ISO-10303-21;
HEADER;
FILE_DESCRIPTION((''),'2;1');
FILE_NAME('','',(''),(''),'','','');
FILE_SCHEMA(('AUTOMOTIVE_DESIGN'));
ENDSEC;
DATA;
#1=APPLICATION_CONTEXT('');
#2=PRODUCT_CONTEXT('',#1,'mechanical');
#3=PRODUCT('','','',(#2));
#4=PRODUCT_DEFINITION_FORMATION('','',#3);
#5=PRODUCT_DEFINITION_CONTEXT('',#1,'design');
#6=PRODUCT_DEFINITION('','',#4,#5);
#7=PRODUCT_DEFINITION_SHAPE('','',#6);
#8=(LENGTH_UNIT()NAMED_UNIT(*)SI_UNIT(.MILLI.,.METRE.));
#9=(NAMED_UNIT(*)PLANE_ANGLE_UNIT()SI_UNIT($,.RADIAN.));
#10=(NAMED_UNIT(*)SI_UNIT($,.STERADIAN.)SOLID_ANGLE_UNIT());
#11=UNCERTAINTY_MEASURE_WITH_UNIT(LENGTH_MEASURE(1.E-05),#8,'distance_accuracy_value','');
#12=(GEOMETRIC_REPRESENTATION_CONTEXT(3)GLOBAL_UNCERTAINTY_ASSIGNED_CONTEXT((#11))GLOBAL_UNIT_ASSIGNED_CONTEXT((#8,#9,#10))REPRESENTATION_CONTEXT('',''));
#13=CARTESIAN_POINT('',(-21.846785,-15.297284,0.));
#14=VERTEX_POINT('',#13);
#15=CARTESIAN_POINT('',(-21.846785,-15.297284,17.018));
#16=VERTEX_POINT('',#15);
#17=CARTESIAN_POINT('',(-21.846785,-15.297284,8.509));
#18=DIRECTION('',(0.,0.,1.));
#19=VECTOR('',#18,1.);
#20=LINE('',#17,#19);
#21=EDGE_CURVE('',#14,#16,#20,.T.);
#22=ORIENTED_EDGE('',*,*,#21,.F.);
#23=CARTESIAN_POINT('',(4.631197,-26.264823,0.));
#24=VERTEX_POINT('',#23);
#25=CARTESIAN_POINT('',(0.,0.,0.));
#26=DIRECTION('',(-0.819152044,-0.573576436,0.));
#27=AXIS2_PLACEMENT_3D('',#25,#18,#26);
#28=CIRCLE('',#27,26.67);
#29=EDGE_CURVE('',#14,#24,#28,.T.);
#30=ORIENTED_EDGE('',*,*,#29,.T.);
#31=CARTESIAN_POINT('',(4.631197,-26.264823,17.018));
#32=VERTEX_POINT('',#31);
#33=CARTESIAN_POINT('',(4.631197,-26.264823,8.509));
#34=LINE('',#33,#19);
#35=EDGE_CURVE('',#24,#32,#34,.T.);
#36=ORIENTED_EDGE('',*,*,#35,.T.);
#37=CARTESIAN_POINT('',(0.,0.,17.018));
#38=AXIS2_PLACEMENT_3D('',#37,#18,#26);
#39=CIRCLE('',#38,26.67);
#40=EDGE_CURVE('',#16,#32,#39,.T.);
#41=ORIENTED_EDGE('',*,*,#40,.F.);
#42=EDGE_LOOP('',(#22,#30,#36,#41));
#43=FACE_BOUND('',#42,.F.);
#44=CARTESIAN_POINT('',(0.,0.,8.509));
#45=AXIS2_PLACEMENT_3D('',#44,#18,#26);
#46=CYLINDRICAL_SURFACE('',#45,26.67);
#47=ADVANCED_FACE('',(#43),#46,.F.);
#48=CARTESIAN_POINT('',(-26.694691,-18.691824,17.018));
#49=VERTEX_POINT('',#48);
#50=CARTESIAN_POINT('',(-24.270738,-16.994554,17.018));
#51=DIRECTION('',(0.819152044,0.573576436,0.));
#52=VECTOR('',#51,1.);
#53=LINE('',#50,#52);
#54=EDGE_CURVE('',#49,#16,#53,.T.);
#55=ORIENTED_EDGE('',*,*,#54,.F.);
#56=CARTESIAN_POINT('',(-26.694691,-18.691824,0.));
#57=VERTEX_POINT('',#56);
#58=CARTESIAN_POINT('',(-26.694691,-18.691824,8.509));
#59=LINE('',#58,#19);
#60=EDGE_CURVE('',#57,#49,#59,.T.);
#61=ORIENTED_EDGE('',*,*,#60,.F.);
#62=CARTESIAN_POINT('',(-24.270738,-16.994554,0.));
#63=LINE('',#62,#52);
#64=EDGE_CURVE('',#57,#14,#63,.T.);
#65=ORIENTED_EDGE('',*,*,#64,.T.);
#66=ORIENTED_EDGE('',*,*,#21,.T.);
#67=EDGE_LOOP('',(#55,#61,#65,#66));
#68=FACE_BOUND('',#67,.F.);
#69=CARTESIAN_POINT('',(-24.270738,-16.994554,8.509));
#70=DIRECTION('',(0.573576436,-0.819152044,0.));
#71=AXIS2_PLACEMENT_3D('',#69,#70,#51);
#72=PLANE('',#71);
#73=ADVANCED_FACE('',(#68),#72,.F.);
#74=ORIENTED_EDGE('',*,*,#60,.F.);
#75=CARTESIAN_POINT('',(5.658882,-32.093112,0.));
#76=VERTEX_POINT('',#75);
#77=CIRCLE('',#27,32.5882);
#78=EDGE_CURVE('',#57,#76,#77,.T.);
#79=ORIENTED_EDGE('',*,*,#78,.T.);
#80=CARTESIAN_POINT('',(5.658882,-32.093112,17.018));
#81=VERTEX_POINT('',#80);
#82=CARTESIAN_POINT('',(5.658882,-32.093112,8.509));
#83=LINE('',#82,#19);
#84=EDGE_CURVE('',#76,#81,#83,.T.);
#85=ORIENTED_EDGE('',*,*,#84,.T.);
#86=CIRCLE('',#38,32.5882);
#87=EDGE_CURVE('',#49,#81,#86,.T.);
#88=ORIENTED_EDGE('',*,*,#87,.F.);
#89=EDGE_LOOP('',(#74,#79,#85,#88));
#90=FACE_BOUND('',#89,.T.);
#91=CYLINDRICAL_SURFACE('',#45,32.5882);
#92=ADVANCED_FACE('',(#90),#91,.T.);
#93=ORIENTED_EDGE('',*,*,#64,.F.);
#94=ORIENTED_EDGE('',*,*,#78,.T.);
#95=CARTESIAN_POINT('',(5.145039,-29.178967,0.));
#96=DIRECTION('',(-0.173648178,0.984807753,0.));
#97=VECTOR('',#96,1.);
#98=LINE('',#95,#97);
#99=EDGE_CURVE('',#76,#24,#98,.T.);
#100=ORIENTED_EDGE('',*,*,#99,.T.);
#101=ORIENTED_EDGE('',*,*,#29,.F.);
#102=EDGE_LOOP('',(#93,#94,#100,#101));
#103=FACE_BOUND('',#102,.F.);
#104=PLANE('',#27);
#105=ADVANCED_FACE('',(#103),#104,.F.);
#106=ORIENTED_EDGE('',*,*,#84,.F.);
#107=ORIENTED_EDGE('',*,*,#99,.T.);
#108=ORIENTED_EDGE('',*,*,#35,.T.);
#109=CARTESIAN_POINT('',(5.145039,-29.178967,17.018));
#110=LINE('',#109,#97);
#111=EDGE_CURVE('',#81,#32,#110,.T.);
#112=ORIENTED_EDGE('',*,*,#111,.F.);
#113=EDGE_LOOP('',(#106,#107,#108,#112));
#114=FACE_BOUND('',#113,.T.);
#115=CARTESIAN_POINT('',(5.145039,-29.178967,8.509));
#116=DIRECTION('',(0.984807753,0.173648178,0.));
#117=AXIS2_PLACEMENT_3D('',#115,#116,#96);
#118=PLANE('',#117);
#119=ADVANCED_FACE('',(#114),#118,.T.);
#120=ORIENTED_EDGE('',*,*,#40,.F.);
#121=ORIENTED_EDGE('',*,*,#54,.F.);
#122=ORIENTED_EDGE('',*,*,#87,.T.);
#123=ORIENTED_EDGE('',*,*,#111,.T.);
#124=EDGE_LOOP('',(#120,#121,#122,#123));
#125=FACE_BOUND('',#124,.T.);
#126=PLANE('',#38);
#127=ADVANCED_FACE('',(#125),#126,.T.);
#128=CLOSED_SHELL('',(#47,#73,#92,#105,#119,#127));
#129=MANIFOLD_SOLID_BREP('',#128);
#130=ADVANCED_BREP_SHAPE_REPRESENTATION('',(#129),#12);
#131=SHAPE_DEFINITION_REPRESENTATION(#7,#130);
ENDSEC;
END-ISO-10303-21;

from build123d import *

# Parameters (mm, degrees)
F0_W          = 5.9182
F0_H          = 17.018
F2_ANGLE_BACK = 55
F2_ANGLE      = 65


with BuildPart() as f2:
    # F0 (on Right) → F2 (revolve)
    with BuildSketch(Plane.YZ, mode=Mode.PRIVATE) as f2_sk:
        with Locations((-29.6291, 8.509)):
            Rectangle(F0_W, F0_H)
    revolve(f2_sk.sketch.rotate(Axis((0, 0, 27.2184088826), (0, 0, 1)), -F2_ANGLE_BACK), axis=Axis((0, 0, 27.2184088826), (0, 0, 1)), revolution_arc=F2_ANGLE)


solid = f2.part
